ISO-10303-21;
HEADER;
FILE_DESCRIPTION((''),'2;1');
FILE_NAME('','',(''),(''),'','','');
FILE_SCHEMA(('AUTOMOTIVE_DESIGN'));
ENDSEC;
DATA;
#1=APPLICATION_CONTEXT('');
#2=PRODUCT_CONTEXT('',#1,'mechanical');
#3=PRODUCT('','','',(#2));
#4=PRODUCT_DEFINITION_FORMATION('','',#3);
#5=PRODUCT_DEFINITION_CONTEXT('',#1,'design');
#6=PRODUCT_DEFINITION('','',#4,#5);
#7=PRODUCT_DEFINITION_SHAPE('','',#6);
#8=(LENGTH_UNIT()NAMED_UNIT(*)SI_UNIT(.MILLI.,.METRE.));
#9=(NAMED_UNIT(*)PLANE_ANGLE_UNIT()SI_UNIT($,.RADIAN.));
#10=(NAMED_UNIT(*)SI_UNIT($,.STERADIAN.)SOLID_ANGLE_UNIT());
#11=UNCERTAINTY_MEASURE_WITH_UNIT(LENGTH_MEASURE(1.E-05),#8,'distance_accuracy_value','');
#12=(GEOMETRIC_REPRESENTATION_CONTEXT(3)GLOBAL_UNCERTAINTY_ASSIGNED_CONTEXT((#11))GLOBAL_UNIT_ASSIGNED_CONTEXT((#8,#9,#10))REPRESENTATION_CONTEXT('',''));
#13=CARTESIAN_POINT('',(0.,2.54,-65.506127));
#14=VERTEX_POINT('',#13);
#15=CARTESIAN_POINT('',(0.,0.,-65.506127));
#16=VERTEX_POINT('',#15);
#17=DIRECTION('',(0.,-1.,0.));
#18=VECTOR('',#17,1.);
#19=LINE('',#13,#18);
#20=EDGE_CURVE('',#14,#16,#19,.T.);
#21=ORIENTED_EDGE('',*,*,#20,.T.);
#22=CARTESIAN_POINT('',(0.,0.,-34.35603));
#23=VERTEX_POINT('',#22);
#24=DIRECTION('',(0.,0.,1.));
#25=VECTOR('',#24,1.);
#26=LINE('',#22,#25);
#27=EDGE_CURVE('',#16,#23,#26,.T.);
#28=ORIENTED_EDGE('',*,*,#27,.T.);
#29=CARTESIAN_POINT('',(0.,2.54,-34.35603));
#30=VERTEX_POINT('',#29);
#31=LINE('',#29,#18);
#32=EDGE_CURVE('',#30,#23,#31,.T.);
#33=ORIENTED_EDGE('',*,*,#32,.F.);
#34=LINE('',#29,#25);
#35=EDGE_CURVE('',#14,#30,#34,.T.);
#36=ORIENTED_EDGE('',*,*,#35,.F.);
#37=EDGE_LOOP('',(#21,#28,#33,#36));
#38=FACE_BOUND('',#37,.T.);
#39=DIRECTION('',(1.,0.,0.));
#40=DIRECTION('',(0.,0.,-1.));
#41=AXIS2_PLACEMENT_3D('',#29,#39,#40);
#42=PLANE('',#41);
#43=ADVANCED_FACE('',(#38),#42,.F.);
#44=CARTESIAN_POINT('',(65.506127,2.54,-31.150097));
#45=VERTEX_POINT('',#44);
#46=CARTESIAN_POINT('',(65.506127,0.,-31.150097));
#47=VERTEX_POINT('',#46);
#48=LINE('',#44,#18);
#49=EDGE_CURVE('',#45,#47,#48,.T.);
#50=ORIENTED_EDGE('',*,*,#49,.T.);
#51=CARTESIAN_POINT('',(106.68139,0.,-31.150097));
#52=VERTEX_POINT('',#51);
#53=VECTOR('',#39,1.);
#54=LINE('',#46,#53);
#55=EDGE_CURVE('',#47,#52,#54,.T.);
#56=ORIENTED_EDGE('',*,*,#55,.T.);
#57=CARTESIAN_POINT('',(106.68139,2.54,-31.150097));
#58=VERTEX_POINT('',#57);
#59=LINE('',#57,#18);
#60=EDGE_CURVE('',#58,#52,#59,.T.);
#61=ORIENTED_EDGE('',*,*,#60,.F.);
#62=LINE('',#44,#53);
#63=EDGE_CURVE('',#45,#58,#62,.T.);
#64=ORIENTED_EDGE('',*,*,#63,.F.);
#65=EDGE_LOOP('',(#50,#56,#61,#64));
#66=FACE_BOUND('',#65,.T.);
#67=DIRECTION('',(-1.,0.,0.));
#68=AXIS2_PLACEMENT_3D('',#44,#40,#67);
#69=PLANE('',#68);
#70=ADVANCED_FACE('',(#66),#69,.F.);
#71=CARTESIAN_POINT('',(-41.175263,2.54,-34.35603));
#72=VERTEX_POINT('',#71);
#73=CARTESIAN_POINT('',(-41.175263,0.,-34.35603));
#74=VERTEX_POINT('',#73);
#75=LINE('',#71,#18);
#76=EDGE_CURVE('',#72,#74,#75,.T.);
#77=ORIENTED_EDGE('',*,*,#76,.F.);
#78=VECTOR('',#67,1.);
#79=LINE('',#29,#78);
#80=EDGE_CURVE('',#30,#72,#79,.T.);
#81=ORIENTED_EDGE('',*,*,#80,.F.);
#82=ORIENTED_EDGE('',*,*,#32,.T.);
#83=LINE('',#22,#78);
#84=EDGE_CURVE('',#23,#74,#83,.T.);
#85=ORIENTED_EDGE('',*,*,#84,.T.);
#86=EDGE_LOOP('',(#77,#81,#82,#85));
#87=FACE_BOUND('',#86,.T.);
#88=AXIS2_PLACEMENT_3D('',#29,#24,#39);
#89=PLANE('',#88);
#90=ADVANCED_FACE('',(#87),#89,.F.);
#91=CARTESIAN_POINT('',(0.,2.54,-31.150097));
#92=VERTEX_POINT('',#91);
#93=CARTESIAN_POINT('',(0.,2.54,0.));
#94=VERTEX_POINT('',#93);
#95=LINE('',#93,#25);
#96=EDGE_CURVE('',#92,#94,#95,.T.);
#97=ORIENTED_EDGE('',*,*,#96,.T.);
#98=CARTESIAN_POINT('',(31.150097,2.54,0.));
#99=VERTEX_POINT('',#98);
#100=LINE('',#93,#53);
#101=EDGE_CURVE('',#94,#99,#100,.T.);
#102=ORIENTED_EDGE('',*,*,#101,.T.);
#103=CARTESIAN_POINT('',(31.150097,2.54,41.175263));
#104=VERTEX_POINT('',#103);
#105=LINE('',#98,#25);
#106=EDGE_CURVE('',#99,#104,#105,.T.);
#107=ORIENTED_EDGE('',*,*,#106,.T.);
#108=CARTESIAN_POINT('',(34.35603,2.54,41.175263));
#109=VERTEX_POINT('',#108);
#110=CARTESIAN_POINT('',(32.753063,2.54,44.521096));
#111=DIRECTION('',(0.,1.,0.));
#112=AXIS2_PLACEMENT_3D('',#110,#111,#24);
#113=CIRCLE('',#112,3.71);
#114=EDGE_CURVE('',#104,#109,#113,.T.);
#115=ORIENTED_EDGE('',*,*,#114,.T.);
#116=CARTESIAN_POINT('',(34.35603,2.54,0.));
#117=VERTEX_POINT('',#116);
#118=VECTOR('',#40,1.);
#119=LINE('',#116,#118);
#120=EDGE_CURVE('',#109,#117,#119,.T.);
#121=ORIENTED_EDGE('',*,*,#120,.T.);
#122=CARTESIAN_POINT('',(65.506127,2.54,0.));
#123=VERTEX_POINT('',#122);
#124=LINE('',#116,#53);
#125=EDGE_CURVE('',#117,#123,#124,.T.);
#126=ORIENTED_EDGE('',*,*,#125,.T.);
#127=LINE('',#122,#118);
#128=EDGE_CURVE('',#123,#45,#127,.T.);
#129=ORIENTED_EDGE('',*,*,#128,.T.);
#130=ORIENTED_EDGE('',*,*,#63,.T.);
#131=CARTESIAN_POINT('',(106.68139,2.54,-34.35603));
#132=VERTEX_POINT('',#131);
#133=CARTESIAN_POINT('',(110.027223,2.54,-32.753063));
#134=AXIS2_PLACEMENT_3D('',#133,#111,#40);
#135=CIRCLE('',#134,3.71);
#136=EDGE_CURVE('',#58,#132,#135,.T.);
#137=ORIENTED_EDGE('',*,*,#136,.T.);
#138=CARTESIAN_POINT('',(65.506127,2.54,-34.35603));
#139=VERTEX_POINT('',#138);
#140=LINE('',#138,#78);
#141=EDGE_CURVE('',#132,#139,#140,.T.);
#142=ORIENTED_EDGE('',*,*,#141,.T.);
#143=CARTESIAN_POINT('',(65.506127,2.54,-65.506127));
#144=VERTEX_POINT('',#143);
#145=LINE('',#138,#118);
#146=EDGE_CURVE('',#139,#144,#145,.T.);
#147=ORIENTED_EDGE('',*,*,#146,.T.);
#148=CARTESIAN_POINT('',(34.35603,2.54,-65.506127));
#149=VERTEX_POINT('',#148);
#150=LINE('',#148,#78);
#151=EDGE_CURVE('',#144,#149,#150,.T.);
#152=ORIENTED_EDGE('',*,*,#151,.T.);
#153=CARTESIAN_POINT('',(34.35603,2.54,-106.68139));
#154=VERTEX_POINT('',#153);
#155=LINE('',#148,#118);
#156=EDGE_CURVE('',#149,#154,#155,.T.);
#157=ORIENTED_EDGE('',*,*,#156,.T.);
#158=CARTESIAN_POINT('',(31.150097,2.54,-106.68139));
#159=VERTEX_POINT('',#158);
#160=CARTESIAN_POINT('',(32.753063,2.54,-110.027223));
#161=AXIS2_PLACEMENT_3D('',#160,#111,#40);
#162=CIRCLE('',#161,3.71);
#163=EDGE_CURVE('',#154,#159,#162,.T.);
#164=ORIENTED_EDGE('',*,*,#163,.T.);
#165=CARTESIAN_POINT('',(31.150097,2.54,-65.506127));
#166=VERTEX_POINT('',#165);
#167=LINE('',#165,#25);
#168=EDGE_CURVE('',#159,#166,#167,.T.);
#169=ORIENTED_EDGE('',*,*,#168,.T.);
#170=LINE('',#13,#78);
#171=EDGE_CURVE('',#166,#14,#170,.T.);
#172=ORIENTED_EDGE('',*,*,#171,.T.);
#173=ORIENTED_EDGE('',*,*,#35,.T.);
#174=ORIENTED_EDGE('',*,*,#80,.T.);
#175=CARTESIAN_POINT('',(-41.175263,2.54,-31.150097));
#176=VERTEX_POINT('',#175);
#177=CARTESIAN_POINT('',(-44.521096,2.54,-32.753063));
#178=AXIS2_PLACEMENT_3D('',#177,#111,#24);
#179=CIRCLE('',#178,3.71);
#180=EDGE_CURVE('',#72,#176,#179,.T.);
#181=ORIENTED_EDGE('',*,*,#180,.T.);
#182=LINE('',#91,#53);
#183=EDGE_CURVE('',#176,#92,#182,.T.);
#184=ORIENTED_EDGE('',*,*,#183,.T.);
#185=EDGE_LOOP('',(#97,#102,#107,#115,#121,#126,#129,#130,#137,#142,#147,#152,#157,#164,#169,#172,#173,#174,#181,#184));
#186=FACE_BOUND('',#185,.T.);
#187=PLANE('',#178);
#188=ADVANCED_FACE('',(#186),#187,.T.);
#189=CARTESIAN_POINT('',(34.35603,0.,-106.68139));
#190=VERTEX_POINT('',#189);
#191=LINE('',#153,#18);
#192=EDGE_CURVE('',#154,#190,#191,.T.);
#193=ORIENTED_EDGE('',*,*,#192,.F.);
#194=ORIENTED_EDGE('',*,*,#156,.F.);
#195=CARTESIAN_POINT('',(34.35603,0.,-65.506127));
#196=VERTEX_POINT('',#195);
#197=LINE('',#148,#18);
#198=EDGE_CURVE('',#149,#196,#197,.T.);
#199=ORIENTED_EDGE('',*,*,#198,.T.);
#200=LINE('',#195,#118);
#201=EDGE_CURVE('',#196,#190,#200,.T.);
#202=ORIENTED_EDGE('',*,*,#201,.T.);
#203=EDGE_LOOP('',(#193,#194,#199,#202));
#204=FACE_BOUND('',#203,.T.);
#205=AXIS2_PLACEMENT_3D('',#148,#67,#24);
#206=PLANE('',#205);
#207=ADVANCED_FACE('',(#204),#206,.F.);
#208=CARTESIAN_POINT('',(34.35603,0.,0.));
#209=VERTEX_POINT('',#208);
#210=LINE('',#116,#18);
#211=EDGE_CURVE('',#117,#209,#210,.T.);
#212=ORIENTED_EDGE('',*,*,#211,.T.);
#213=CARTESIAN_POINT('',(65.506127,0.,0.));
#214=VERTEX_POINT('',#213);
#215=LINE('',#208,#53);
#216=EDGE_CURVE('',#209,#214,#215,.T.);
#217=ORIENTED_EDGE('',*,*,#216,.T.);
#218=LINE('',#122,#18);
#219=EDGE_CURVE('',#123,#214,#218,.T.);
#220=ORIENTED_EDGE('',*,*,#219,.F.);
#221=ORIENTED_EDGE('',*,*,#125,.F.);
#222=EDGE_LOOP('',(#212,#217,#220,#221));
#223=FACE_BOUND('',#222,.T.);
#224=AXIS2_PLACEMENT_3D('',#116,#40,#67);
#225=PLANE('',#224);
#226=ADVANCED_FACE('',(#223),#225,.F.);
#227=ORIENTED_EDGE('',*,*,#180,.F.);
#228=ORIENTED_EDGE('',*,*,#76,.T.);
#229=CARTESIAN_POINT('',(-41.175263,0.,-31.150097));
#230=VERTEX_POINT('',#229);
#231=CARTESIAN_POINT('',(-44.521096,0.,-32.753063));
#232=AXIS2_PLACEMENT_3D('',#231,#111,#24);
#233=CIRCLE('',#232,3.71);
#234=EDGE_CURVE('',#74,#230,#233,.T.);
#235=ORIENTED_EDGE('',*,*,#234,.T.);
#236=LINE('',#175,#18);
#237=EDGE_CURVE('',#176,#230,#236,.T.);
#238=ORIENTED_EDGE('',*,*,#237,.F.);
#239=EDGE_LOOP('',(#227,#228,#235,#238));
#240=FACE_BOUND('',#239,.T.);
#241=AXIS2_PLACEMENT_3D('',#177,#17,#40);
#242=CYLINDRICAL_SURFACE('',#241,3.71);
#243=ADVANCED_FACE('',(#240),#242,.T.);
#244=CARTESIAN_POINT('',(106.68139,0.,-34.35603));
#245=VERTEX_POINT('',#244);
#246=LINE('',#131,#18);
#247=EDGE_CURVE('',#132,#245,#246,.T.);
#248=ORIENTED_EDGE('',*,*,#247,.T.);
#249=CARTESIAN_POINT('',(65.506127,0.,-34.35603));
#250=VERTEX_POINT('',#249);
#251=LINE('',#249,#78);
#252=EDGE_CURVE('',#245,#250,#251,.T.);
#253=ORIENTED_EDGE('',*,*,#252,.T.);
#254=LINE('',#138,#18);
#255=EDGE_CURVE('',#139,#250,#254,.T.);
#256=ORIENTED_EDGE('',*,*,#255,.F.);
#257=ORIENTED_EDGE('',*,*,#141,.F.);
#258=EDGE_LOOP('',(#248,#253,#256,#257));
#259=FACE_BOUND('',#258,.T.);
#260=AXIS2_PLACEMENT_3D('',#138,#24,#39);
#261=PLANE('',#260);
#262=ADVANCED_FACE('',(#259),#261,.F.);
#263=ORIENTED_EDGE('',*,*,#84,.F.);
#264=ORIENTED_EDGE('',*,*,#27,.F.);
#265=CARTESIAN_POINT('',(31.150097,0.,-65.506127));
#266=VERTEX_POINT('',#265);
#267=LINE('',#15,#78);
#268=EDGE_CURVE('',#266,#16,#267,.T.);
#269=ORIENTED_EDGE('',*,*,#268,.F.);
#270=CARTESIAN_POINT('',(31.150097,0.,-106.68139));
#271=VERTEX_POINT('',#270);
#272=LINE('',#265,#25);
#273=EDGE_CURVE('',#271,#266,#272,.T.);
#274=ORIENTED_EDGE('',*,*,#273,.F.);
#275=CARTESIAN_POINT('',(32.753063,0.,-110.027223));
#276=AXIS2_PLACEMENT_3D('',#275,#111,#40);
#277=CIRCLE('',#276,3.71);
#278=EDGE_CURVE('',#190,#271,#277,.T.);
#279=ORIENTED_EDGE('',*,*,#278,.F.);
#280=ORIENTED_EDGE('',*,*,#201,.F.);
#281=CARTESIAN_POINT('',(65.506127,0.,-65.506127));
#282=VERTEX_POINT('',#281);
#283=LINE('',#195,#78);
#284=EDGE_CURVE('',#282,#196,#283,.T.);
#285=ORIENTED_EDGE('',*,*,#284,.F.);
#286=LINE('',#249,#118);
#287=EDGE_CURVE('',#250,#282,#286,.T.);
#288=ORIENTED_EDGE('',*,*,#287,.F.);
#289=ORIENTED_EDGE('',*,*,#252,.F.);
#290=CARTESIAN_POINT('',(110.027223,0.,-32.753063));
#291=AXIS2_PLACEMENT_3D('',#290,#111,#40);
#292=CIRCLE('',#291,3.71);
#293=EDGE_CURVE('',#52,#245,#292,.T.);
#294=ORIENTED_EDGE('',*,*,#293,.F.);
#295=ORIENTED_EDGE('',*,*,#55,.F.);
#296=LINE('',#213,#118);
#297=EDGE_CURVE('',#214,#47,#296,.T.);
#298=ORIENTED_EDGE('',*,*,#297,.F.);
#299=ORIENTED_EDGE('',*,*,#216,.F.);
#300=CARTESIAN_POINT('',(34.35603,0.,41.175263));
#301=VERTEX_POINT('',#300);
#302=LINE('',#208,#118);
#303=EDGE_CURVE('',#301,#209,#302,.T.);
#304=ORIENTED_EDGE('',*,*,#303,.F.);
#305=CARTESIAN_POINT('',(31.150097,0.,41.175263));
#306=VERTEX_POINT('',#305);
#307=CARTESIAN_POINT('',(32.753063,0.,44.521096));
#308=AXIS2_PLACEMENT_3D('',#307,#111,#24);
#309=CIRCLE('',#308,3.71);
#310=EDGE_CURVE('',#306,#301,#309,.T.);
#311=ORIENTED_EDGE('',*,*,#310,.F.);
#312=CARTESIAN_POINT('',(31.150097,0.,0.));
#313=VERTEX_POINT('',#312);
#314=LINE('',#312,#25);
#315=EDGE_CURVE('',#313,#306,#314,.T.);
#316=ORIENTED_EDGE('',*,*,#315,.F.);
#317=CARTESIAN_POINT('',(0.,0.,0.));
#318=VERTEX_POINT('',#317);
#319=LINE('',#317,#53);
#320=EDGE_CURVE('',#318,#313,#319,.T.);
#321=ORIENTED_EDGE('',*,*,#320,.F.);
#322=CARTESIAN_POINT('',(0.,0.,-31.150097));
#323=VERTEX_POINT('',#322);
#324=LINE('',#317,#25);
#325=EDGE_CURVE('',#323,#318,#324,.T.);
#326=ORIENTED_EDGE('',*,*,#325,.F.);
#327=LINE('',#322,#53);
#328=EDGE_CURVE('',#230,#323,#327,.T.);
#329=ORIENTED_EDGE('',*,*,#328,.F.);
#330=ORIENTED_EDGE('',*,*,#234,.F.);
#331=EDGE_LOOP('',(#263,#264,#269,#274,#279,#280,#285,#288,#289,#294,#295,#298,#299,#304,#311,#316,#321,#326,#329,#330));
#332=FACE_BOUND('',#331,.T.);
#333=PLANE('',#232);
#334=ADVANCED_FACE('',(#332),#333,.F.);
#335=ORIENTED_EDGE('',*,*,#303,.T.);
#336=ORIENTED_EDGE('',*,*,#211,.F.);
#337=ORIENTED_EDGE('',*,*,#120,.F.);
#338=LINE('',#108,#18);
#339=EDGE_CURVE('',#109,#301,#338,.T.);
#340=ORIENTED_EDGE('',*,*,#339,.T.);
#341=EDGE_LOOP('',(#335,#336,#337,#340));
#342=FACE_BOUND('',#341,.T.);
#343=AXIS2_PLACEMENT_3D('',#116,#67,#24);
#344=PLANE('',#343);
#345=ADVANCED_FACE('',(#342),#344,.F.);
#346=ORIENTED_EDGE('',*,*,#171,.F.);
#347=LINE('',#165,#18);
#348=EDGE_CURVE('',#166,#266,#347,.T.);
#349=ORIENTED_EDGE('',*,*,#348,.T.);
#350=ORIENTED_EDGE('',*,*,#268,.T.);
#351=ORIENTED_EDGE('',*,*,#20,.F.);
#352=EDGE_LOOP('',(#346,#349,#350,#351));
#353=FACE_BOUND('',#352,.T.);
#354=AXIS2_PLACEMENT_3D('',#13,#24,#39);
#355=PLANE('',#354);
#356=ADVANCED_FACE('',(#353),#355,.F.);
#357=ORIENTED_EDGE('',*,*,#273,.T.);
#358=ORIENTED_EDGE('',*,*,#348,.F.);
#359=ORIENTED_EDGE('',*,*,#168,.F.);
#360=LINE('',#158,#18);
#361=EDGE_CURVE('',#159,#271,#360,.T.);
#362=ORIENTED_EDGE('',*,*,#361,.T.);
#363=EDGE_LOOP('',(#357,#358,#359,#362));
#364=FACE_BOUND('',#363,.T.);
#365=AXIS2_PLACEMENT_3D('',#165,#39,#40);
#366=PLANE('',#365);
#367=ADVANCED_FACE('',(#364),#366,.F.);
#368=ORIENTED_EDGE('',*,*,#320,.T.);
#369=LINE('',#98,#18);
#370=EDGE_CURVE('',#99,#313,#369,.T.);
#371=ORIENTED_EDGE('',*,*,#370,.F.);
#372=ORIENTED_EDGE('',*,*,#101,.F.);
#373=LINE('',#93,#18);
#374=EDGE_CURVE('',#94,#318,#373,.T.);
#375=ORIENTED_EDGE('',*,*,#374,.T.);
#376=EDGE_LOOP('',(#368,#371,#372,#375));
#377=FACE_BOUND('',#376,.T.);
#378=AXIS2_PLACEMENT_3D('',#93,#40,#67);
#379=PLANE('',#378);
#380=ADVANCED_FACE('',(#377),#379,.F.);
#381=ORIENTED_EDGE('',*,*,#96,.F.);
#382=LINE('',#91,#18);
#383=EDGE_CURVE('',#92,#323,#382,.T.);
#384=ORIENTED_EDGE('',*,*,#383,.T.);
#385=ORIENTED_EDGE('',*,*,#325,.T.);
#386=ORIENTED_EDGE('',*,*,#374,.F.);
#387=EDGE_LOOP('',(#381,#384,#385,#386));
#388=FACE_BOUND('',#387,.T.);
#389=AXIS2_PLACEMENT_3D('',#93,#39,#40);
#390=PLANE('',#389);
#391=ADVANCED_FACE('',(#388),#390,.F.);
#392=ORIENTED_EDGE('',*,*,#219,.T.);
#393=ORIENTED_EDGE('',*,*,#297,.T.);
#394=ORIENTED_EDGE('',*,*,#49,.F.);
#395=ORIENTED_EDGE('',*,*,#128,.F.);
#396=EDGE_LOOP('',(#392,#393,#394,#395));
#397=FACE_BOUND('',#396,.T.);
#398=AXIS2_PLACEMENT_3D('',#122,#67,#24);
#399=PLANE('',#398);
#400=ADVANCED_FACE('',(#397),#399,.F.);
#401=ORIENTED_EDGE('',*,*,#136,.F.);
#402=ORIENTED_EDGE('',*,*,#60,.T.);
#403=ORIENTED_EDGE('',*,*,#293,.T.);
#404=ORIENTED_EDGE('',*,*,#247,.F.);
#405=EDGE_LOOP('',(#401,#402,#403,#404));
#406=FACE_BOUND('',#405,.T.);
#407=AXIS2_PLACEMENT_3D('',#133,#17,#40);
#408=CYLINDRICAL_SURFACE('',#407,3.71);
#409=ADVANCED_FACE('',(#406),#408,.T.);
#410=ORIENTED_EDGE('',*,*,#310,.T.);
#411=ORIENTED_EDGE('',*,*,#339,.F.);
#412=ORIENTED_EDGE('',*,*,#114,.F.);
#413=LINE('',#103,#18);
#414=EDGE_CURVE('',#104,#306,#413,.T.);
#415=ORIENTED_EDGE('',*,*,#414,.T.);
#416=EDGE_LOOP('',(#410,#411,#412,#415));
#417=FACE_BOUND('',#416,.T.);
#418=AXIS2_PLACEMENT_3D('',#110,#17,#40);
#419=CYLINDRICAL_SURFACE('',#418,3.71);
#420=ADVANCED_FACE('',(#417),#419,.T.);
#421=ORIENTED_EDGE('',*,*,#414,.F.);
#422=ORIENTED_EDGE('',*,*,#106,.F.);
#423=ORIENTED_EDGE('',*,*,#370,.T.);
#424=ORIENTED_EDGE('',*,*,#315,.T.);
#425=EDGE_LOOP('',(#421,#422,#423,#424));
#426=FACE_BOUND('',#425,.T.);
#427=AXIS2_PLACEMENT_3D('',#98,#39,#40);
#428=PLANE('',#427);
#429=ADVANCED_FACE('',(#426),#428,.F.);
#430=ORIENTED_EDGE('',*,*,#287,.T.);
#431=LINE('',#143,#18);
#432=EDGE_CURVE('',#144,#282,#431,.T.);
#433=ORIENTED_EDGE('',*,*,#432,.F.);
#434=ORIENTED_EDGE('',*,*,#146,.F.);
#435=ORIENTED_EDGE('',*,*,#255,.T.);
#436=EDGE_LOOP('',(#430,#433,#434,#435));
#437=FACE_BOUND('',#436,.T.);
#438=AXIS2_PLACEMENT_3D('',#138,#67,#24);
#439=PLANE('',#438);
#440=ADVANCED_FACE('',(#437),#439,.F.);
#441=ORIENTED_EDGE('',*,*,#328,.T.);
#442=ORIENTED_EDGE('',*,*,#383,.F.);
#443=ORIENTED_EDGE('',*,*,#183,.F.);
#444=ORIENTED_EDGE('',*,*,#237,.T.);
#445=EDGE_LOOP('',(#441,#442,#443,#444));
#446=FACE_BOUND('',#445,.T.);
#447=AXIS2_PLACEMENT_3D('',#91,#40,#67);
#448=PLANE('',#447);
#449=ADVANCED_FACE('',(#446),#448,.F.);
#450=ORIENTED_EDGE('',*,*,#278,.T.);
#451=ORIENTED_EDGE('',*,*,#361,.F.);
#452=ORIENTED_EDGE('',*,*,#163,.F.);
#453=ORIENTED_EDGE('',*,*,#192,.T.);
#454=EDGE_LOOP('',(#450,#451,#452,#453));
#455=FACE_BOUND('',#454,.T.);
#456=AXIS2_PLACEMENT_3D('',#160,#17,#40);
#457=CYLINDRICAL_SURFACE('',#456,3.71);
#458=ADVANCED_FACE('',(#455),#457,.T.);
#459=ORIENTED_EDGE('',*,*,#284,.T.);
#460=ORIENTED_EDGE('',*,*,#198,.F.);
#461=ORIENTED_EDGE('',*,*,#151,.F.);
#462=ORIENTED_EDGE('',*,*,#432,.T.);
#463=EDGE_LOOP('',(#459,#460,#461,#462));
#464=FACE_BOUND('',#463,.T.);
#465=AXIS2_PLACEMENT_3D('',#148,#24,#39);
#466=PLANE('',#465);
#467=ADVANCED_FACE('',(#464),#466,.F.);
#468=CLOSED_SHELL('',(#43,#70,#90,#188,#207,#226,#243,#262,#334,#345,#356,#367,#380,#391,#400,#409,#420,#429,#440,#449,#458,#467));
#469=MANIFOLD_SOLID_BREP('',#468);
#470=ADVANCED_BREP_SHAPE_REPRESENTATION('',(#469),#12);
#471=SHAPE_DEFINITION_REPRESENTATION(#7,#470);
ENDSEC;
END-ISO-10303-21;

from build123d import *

# Parameters (mm, degrees)
BOSS_EXTRUDE1_DEPTH = 2.54


with BuildPart() as part:
    # Sketch1 → Boss-Extrude1 (new body)
    with BuildSketch(Plane(origin=(0, 0, 0), x_dir=(1, 0, 0), z_dir=(0, 1, 0))):
        with BuildLine():
            Line((34.356030095, 0), (65.506126721, 0))
            Line((65.506126721, 0), (65.506126721, 31.150096626))
            Line((65.506126721, 31.150096626), (106.681389714, 31.150096626))
            ThreePointArc((106.681389714, 31.150096626), (113.737222592, 32.753063361), (106.681389714, 34.356030095))
            Line((106.681389714, 34.356030095), (65.506126721, 34.356030095))
            Line((65.506126721, 34.356030095), (65.506126721, 65.506126721))
            Line((65.506126721, 65.506126721), (34.356030095, 65.506126721))
            Line((34.356030095, 65.506126721), (34.356030095, 106.681389714))
            ThreePointArc((34.356030095, 106.681389714), (32.753063361, 113.737222592), (31.150096626, 106.681389714))
            Line((31.150096626, 106.681389714), (31.150096626, 65.506126721))
            Line((31.150096626, 65.506126721), (0, 65.506126721))
            Line((0, 65.506126721), (0, 34.356030095))
            Line((0, 34.356030095), (-41.175262993, 34.356030095))
            ThreePointArc((-41.175262993, 34.356030095), (-48.231095871, 32.753063361), (-41.175262993, 31.150096626))
            Line((-41.175262993, 31.150096626), (0, 31.150096626))
            Line((0, 31.150096626), (0, 0))
            Line((0, 0), (31.150096626, 0))
            Line((31.150096626, 0), (31.150096626, -41.175262993))
            ThreePointArc((31.150096626, -41.175262993), (32.753063361, -48.231095871), (34.356030095, -41.175262993))
            Line((34.356030095, -41.175262993), (34.356030095, 0))
        make_face()
    extrude(amount=BOSS_EXTRUDE1_DEPTH)


solid = part.part
